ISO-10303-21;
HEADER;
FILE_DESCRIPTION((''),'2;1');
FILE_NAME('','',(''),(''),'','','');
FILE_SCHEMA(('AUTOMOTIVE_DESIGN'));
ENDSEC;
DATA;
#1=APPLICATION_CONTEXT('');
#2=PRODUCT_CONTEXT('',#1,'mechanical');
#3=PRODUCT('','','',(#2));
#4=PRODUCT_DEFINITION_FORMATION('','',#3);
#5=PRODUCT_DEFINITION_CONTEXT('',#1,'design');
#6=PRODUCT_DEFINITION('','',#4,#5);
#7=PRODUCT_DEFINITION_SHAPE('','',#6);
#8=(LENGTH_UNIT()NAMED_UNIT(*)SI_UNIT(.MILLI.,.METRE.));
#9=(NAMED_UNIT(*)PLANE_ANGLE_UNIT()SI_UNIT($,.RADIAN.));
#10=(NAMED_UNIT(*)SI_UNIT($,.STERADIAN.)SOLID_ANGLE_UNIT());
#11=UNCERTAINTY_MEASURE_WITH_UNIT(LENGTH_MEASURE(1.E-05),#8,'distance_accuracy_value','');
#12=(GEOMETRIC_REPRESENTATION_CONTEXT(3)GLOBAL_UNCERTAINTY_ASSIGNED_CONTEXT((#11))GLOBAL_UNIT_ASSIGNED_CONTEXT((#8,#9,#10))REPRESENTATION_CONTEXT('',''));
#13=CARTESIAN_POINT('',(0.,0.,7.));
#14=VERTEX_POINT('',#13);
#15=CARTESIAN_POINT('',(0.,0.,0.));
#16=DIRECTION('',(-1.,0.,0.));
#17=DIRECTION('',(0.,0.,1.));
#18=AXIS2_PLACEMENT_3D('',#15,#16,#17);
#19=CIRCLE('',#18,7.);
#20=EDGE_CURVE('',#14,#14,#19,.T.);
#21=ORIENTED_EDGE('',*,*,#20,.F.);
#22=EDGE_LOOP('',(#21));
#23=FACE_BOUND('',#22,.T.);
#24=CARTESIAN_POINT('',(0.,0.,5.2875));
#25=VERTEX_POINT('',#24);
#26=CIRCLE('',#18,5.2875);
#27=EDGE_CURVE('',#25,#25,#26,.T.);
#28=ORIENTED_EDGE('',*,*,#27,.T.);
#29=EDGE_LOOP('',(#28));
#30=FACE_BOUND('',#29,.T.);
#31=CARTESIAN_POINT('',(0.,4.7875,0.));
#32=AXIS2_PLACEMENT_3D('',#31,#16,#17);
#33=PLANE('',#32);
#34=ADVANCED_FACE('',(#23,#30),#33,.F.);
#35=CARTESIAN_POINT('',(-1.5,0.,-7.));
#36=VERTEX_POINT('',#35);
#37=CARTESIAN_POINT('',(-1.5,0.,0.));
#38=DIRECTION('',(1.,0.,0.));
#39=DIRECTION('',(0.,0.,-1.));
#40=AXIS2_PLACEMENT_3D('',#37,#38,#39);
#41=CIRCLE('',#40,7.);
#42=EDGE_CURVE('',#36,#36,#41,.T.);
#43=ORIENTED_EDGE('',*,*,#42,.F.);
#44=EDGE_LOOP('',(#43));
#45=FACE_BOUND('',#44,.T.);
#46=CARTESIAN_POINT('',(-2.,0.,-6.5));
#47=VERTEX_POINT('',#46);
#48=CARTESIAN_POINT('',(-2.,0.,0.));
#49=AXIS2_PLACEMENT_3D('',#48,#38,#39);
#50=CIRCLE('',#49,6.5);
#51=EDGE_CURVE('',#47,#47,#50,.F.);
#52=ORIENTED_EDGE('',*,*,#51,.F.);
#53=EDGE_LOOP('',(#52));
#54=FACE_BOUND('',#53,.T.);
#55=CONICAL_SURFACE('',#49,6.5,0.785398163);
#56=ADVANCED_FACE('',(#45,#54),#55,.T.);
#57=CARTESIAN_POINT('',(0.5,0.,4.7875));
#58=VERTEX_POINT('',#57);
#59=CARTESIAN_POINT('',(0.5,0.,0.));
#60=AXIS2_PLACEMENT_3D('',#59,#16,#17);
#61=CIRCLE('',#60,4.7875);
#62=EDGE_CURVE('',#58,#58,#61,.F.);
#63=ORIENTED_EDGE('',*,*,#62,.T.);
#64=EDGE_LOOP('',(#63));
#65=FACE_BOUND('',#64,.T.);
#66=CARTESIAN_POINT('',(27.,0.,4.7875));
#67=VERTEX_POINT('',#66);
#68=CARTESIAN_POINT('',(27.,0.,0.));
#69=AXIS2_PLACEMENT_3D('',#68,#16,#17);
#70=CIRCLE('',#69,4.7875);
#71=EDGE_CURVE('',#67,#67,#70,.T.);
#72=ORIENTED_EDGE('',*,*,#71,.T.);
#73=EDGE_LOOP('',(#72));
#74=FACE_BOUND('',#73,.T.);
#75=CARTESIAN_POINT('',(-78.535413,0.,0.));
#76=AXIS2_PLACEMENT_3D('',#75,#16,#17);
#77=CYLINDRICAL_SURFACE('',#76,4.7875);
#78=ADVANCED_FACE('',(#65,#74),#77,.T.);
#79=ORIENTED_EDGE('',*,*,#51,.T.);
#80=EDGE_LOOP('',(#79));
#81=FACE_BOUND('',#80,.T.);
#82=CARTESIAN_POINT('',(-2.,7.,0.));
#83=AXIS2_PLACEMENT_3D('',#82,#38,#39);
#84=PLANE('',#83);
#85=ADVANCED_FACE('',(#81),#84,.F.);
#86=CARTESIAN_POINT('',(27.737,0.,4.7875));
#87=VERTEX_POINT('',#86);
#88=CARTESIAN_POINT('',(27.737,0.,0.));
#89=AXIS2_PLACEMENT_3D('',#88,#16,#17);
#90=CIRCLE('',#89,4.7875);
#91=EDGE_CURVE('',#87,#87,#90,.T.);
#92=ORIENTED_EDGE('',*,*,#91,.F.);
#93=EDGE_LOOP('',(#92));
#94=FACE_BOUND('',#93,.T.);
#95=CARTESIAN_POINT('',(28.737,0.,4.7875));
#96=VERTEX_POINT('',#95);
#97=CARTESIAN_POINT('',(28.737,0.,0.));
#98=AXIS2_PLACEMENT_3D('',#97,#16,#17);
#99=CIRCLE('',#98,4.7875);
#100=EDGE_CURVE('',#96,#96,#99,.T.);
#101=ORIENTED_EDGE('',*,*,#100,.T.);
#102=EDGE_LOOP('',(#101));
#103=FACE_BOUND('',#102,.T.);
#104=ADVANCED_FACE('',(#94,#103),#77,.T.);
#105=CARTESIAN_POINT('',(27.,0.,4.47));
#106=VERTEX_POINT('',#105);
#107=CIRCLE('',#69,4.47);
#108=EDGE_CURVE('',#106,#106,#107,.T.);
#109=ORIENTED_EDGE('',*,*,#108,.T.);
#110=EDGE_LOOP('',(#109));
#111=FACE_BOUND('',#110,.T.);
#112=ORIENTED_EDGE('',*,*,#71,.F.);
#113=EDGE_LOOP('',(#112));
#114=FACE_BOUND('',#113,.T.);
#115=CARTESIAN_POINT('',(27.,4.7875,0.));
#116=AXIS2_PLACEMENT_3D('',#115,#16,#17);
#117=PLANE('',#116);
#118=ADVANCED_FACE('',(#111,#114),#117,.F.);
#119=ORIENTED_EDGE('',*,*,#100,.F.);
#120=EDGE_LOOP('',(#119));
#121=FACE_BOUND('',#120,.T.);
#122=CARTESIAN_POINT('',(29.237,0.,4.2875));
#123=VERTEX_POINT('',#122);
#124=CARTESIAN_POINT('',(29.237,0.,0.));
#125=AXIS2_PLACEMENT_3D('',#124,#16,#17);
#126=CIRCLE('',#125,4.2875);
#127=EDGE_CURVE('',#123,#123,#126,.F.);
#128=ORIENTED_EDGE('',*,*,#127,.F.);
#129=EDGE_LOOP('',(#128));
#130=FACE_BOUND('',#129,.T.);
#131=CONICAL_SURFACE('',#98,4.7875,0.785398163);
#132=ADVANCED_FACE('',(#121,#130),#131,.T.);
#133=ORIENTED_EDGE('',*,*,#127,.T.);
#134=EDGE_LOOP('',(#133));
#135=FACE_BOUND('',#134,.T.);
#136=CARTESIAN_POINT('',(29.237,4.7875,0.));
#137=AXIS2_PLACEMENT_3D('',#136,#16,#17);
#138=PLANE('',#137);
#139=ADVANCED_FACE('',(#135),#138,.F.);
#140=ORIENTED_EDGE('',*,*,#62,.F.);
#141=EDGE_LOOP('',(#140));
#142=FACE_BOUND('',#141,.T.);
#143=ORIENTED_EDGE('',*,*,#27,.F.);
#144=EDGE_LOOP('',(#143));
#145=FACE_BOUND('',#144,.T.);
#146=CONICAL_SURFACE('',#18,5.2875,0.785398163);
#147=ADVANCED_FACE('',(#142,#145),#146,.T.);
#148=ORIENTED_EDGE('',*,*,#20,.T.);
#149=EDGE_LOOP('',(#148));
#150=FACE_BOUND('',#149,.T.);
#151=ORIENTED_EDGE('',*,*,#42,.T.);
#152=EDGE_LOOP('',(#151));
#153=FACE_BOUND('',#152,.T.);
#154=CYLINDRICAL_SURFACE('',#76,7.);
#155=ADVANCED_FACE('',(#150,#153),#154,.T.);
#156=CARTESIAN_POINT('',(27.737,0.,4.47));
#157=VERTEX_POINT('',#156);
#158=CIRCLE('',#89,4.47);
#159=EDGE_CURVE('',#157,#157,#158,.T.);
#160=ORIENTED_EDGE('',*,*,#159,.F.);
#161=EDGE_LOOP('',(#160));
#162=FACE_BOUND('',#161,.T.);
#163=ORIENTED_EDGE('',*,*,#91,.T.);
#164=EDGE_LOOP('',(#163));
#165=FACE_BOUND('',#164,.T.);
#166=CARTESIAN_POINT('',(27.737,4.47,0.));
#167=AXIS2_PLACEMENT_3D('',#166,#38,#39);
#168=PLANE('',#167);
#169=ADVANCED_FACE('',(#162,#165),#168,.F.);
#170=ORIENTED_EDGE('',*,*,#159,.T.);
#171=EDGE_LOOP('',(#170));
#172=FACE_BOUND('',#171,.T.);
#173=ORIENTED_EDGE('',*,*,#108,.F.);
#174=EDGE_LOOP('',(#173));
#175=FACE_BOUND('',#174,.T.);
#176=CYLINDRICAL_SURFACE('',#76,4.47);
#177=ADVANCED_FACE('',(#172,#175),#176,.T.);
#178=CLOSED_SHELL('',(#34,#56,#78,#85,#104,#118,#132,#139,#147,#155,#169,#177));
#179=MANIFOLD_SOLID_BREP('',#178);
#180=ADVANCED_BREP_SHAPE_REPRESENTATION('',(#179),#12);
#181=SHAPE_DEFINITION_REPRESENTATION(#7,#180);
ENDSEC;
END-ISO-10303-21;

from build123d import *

# Parameters (mm, degrees)
CHAMFER1_SIZE = 0.5


with BuildPart() as part:
    # Sketch1 → Revolve1 (revolve)
    with BuildSketch(Plane.XY):
        Polygon((0, 4.7875), (0, 7), (-2, 7), (-2, 0), (29.237, 0), (29.237, 4.7875), (27.737, 4.7875), (27.737, 4.47), (27, 4.47), (27, 4.7875), align=None)
    revolve(axis=Axis((-78.535413295, 0, 0), (1, 0, 0)))

    # Chamfer1
    chamfer1_edges = [part.edges().sort_by_distance(p)[0] for p in [
        (0, -4.7875, 0),
        (-2, -7, 0),
        (29.237, -4.7875, 0),
    ]]
    chamfer(chamfer1_edges, length=CHAMFER1_SIZE)


solid = part.part
